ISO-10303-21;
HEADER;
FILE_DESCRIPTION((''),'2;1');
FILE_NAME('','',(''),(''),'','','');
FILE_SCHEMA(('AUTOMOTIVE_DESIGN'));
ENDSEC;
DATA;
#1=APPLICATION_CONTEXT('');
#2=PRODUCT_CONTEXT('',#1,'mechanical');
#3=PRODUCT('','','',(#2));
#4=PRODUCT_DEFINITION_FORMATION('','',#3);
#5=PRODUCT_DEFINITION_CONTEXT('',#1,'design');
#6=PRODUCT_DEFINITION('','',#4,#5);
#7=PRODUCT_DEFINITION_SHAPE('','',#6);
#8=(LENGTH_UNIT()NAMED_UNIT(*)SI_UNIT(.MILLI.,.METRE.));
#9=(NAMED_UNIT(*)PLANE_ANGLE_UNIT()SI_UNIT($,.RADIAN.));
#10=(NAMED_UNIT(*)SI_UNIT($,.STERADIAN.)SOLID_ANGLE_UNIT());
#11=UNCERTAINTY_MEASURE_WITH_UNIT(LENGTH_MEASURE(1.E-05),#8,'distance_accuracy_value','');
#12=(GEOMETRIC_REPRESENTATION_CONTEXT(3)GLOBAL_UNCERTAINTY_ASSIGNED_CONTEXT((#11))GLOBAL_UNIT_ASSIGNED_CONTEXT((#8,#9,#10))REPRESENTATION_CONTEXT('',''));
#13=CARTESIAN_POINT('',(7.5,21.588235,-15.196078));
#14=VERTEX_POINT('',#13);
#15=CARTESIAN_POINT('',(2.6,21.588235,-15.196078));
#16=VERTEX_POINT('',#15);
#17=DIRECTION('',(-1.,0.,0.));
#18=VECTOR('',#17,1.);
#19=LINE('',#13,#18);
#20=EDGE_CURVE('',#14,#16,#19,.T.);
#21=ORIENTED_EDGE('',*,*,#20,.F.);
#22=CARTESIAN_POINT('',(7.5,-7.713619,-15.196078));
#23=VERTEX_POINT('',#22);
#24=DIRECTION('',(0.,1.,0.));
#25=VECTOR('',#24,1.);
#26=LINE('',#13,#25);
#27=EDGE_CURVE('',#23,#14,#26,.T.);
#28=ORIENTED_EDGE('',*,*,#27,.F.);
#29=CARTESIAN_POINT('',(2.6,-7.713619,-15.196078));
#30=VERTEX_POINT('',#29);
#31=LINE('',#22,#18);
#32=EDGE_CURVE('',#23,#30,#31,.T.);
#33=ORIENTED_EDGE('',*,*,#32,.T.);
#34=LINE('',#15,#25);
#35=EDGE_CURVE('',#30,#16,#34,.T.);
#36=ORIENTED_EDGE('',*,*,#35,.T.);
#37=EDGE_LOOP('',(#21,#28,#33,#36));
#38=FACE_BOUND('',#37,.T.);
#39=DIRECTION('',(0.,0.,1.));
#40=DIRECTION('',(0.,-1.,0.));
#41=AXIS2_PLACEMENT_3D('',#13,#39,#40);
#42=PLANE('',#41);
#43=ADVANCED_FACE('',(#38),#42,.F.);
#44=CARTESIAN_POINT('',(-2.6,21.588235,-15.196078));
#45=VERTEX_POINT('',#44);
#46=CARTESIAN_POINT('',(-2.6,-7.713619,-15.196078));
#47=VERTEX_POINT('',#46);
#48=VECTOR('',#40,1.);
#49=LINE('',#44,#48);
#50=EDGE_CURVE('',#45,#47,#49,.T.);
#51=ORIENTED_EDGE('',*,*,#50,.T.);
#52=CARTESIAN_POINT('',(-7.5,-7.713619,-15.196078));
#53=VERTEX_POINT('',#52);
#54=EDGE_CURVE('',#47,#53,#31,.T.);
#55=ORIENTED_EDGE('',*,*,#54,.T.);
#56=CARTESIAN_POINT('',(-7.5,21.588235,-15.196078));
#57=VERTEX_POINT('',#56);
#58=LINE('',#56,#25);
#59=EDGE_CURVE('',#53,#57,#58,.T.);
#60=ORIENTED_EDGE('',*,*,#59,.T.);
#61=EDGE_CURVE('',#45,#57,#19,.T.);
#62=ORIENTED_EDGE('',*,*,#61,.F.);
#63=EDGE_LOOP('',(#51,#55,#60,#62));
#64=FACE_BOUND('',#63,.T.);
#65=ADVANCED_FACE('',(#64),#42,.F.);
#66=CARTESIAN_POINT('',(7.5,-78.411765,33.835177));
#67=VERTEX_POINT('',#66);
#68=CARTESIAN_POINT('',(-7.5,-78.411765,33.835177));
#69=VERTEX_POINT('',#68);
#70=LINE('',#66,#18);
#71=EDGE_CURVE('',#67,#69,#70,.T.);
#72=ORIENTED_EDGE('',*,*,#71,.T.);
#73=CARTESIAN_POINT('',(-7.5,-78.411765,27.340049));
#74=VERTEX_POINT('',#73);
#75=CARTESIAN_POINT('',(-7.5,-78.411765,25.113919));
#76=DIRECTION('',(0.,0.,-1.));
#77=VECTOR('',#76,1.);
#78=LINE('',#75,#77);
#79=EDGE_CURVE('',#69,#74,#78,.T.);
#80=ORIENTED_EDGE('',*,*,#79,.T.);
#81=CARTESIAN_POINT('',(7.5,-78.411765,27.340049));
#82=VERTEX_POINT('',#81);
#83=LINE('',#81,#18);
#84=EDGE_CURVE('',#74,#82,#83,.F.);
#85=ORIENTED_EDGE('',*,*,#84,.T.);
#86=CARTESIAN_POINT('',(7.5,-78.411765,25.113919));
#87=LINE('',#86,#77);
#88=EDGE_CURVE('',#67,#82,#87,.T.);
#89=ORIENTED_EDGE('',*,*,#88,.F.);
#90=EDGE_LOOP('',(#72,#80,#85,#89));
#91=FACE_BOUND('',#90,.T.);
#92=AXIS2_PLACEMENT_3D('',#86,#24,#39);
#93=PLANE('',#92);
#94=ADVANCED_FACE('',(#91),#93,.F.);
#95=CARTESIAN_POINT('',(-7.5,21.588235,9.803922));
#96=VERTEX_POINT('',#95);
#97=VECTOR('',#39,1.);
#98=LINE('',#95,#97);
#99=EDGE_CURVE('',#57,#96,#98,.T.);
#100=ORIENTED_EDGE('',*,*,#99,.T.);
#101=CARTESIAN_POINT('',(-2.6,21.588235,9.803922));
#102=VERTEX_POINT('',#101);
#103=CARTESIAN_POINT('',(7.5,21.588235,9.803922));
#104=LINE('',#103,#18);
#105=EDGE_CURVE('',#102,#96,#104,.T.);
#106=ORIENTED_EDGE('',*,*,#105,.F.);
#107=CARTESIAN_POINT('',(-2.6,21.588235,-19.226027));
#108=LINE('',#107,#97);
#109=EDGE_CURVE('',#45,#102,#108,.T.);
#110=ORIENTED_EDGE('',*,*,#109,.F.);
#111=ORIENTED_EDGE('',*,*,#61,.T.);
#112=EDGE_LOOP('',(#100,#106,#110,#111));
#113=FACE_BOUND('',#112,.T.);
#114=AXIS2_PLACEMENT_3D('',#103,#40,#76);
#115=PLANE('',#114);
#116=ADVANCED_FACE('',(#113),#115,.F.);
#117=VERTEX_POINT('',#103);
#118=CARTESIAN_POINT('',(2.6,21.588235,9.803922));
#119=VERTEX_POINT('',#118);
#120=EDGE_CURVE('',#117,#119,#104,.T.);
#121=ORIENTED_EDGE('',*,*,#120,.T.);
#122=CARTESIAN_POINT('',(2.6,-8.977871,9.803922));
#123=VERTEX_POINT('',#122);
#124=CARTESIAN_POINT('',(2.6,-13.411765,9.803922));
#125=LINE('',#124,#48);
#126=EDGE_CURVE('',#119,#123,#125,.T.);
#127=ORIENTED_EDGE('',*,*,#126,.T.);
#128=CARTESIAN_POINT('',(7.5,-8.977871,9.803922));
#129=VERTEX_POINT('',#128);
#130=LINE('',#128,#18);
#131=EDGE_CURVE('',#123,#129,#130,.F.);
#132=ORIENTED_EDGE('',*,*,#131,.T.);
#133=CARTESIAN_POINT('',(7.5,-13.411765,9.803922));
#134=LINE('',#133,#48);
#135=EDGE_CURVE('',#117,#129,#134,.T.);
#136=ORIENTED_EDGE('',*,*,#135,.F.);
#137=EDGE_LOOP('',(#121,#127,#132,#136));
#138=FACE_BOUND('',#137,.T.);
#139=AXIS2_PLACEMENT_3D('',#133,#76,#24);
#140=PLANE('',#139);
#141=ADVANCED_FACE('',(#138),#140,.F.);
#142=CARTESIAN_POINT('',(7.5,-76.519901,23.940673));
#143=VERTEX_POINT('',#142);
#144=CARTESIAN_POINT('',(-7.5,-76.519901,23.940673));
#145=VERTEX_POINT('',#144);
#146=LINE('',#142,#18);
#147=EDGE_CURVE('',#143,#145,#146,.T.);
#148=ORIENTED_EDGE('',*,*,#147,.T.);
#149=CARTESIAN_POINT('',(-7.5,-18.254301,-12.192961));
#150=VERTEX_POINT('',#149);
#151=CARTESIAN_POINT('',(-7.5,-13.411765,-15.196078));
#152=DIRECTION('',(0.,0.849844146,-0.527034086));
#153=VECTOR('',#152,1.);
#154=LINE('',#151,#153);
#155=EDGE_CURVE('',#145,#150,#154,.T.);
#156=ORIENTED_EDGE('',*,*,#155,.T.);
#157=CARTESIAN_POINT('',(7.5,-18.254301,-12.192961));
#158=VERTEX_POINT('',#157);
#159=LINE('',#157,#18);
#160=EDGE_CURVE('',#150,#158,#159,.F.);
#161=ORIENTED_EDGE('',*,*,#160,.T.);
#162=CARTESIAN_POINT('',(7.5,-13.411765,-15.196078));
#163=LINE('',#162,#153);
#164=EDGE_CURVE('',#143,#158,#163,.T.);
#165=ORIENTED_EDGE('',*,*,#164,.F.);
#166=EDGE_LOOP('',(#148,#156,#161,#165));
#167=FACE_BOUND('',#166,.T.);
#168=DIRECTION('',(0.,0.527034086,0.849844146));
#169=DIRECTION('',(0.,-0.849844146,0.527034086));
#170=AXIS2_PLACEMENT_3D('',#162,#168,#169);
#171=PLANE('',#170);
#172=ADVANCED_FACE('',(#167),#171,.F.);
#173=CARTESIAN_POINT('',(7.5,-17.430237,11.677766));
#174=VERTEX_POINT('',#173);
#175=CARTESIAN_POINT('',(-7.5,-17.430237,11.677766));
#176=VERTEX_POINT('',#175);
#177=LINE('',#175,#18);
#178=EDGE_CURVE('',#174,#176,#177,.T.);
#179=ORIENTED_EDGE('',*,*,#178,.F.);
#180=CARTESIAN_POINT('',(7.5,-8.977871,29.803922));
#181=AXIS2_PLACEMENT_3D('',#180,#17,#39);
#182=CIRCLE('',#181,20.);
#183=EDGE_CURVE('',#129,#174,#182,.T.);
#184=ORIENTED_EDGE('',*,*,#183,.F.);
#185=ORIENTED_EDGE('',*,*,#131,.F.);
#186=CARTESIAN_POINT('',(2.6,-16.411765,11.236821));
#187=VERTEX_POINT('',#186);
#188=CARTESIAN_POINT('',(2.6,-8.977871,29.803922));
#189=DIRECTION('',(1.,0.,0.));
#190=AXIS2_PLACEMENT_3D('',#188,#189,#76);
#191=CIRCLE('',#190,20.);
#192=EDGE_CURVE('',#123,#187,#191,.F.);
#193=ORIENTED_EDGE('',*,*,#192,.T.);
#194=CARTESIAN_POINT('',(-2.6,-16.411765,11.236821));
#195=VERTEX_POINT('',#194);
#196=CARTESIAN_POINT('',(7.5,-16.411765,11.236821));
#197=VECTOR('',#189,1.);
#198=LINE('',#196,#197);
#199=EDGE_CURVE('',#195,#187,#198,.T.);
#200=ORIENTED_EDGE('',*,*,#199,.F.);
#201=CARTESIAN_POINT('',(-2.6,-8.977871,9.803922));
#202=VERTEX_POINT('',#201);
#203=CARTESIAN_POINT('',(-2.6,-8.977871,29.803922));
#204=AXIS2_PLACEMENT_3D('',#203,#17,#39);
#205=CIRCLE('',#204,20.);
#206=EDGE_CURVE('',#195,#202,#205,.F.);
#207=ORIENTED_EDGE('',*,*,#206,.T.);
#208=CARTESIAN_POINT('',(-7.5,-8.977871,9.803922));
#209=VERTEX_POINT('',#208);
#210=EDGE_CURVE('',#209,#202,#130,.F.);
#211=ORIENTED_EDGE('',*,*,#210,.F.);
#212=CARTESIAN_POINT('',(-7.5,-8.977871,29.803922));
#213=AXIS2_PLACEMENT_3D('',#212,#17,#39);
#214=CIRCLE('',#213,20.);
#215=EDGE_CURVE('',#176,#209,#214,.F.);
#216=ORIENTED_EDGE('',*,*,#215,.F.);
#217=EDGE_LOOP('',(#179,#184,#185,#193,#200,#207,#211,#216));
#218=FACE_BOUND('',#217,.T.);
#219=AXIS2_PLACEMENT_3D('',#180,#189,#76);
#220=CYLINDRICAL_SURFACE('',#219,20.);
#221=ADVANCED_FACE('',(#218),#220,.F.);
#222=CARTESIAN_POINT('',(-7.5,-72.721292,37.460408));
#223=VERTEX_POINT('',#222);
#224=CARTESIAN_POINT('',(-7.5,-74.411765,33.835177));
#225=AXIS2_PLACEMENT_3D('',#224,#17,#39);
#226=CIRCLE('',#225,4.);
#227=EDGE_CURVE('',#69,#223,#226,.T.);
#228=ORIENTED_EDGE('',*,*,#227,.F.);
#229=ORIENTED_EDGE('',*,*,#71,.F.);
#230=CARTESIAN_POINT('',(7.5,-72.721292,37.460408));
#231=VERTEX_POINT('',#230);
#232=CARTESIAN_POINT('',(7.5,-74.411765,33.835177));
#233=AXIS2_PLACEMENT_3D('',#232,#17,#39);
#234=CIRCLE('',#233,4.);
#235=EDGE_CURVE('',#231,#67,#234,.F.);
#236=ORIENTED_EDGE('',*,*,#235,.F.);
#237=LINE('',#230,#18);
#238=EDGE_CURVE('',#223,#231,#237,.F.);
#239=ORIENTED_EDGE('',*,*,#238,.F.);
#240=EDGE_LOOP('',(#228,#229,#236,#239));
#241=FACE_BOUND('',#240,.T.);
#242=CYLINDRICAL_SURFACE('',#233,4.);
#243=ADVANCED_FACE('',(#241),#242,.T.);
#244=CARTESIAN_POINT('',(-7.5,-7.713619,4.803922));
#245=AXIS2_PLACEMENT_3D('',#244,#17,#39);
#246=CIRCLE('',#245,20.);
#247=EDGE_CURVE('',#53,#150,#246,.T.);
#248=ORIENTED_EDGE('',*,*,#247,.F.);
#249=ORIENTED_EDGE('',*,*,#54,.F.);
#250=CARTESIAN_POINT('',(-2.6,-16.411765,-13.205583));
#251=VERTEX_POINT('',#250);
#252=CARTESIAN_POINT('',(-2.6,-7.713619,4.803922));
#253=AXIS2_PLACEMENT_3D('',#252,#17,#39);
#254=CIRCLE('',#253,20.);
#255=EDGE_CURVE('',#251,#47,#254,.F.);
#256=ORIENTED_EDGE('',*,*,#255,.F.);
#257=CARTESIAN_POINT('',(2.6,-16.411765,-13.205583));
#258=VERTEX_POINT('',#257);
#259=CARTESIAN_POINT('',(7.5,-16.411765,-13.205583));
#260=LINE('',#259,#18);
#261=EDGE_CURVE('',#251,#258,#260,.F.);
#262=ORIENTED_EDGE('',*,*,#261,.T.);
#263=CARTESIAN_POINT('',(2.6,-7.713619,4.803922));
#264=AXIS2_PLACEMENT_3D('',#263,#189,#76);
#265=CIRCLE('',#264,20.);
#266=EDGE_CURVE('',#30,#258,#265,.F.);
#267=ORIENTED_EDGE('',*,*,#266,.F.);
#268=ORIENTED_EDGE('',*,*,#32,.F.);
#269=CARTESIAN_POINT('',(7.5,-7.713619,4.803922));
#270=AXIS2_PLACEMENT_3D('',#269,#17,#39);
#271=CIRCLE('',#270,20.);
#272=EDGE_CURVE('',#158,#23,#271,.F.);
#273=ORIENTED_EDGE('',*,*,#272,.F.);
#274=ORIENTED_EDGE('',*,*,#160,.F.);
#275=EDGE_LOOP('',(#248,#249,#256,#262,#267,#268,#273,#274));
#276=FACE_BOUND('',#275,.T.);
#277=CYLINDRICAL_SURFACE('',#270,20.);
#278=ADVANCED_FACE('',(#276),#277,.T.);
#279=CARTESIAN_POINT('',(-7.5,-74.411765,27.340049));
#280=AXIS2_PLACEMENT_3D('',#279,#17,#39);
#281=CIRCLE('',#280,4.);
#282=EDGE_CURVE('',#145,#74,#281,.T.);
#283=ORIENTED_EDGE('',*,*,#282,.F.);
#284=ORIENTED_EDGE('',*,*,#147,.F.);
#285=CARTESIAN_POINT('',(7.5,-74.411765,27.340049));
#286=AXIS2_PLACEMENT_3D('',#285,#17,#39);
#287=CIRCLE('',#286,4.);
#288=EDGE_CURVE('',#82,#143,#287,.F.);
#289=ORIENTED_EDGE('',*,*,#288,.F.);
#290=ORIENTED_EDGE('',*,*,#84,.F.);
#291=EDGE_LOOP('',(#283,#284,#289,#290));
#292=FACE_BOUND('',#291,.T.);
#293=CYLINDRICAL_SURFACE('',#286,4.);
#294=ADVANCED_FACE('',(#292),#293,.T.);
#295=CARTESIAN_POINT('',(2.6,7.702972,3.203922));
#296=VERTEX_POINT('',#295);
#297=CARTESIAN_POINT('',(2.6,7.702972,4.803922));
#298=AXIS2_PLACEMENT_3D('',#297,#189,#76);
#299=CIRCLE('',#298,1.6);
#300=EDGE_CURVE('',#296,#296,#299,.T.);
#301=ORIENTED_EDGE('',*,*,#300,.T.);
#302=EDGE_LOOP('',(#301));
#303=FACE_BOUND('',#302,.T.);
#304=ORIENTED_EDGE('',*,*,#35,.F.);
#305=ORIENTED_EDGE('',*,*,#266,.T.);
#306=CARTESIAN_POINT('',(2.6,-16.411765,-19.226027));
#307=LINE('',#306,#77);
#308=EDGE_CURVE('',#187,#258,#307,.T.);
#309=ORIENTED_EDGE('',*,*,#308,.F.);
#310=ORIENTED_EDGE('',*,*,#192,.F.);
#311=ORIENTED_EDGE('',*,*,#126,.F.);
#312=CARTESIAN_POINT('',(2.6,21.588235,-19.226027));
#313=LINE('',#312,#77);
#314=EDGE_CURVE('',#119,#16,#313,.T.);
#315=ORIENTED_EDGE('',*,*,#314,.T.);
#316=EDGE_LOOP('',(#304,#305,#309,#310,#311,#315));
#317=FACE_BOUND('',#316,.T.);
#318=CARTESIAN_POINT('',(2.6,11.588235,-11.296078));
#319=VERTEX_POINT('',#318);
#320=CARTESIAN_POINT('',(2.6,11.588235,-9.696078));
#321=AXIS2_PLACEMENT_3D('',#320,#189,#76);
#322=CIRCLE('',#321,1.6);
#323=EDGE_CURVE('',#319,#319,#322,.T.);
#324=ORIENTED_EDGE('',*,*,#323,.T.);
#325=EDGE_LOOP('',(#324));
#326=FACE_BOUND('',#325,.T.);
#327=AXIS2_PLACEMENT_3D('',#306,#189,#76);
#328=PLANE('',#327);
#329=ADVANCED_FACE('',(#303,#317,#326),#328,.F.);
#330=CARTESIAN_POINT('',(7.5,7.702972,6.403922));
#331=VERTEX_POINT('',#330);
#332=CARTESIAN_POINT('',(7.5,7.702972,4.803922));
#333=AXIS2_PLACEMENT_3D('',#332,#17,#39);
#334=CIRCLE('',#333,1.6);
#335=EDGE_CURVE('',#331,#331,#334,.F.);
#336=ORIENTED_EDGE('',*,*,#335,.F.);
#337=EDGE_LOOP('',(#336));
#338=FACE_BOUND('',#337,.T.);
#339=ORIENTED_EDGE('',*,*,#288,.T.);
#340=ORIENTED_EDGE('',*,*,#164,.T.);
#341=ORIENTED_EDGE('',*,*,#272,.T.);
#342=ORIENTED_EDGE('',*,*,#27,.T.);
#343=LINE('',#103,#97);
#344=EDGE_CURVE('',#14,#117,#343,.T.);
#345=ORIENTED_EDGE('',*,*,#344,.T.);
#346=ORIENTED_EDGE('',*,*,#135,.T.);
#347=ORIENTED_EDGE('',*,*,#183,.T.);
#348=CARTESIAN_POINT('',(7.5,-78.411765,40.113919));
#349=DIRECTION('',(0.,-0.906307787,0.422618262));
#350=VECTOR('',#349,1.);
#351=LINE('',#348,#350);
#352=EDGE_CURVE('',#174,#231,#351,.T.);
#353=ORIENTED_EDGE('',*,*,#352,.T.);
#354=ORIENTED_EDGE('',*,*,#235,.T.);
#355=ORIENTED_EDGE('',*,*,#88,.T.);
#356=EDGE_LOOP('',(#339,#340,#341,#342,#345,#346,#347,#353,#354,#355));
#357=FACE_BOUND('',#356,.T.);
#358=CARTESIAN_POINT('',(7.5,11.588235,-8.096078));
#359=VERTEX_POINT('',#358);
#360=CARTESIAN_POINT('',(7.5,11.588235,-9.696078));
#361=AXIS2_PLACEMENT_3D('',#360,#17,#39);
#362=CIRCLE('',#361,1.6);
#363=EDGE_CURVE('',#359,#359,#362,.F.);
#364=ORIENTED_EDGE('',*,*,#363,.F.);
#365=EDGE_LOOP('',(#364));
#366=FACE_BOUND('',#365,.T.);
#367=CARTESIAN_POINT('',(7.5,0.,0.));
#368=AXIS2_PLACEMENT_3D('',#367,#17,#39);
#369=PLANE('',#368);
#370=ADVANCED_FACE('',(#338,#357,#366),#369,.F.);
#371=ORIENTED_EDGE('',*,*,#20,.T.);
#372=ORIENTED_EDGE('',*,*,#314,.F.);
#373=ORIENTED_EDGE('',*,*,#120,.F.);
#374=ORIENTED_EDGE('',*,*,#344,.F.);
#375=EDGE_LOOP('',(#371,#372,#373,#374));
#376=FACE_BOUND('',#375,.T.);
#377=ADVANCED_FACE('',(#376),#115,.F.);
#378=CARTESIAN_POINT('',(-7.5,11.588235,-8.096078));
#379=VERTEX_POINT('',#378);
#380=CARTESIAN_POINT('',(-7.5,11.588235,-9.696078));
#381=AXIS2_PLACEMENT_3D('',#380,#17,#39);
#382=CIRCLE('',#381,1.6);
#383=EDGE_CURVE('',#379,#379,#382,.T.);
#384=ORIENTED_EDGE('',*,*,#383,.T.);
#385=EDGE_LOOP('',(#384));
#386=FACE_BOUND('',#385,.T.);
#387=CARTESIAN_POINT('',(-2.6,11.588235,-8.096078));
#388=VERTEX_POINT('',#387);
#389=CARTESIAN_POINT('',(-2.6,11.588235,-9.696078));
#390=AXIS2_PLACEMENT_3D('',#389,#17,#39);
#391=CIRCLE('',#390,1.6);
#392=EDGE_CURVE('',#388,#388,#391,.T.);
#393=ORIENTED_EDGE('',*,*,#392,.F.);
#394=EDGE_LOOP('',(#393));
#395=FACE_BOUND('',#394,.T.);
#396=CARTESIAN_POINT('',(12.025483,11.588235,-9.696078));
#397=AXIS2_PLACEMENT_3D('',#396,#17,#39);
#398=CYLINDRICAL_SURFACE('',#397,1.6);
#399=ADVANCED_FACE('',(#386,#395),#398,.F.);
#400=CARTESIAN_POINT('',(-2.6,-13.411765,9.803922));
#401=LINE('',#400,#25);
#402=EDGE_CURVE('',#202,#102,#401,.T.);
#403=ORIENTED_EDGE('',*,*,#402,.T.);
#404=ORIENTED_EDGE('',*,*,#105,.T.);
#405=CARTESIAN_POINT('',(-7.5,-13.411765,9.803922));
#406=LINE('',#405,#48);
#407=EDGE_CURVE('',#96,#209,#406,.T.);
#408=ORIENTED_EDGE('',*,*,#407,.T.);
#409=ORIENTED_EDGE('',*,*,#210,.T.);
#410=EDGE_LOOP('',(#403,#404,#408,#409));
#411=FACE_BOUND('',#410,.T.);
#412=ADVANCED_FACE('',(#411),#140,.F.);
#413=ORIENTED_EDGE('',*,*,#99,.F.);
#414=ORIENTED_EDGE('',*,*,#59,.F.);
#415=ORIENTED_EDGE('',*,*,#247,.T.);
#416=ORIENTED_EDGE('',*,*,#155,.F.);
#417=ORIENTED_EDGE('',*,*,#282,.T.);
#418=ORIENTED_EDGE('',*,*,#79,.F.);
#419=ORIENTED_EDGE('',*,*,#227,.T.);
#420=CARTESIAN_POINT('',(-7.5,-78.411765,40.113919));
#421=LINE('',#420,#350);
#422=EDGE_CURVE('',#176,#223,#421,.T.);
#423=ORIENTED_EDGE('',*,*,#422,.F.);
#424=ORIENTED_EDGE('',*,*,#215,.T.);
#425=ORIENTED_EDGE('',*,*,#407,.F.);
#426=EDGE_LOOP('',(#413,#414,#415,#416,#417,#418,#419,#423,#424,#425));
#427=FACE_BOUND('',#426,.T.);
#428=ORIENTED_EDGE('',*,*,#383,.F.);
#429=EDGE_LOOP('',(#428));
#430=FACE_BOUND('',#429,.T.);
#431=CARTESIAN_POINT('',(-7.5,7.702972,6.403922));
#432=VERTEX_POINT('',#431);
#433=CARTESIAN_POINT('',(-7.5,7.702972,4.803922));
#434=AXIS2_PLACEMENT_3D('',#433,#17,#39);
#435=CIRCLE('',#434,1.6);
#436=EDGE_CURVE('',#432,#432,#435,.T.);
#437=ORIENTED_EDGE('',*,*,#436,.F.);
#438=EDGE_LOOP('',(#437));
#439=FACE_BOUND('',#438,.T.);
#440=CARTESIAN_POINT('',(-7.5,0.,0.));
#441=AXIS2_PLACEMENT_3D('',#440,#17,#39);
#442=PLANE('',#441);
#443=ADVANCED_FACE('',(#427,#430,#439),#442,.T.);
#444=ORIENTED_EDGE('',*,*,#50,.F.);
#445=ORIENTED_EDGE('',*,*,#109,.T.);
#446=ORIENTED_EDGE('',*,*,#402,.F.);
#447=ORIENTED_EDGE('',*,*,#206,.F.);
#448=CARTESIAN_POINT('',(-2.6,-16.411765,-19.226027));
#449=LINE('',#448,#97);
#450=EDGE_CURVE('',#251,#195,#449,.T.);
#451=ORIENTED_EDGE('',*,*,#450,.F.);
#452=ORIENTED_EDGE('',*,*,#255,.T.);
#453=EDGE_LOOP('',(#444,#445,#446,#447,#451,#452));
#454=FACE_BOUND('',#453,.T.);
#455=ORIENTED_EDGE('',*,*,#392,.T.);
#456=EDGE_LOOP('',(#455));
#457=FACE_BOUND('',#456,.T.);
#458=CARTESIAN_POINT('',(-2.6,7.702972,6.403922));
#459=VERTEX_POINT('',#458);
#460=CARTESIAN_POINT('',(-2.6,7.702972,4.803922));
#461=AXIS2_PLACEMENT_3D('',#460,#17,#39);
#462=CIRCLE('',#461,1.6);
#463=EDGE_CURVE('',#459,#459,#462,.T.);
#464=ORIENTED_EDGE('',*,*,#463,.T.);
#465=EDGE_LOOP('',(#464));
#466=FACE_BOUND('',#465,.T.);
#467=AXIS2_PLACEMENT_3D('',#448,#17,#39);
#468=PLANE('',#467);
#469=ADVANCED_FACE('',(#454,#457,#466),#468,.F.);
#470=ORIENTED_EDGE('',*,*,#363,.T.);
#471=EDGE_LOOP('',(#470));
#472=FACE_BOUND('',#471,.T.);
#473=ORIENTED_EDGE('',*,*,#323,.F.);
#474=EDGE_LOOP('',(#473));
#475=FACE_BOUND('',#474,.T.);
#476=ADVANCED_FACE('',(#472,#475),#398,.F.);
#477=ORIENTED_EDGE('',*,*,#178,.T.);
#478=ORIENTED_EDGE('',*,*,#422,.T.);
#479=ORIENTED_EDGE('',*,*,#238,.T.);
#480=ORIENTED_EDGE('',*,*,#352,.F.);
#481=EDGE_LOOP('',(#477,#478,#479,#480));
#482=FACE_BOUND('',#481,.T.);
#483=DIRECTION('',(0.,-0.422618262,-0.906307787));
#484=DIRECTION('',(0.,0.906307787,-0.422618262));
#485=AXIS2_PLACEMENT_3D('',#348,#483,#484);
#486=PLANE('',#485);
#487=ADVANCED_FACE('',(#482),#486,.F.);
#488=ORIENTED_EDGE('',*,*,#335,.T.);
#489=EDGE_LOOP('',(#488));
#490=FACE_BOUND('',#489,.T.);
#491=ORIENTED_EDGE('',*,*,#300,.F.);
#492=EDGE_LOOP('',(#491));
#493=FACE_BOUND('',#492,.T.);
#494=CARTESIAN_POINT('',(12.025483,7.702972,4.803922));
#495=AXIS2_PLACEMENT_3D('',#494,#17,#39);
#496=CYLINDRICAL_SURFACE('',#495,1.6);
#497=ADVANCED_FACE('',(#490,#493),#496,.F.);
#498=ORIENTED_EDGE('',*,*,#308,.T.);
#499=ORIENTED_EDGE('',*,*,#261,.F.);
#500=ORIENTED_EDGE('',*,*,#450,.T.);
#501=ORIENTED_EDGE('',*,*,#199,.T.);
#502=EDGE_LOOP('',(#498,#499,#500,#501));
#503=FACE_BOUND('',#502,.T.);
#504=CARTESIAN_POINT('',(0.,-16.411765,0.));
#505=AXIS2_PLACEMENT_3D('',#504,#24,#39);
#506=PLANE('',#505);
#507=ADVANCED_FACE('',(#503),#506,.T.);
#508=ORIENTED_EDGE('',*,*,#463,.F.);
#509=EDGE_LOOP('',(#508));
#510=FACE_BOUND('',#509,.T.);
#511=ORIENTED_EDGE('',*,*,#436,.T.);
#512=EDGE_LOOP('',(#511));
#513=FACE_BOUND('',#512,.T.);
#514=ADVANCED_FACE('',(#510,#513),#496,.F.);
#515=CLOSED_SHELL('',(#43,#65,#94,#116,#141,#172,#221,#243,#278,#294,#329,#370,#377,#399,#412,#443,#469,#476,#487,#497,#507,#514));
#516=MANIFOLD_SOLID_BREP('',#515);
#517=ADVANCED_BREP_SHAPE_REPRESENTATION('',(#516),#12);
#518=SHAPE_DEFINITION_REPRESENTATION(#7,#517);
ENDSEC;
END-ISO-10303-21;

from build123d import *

# Parameters (mm, degrees)
BOSS_EXTRUDE1_DEPTH = 7.5
FILLET1_R           = 20
FILLET2_R           = 4
SKETCH2_W           = 5.2
SKETCH2_H           = 36.194595773
CUT_EXTRUDE1_DEPTH  = 38
CUT_EXTRUDE2_REACH  = 90.345
SKETCH3_R           = 1.6


with BuildPart() as part:
    # Sketch1 → Boss-Extrude1 (new, symmetric)
    with BuildSketch(Plane(origin=(0, 0, 0), x_dir=(0, 0, -1), z_dir=(1, 0, 0))):
        Polygon((-9.803921569, 21.588235294), (15.196078431, 21.588235294), (15.196078431, -13.411764706), (-25.113919349, -78.411764706), (-40.113919349, -78.411764706), (-9.803921569, -13.411764706), align=None)
    extrude(amount=BOSS_EXTRUDE1_DEPTH, both=True)

    # Fillet1
    fillet1_edges = [part.edges().sort_by_distance(p)[0] for p in [
        (0, -13.411764706, -15.196078431),
        (0, -13.411764706, 9.803921569),
    ]]
    fillet(fillet1_edges, radius=FILLET1_R)

    # Fillet2
    fillet2_edges = [part.edges().sort_by_distance(p)[0] for p in [
        (0, -78.411764706, 25.113919349),
        (0, -78.411764706, 40.113919349),
    ]]
    fillet(fillet2_edges, radius=FILLET2_R)

    # Sketch2 → Cut-Extrude1 (cut)
    with BuildSketch(Plane(origin=(0, 21.588235294, 0), x_dir=(1, 0, 0), z_dir=(0, 1, 0))):
        with Locations((0, 1.128729594)):
            Rectangle(SKETCH2_W, SKETCH2_H)
    extrude(amount=-CUT_EXTRUDE1_DEPTH, mode=Mode.SUBTRACT)

    # Cut-Extrude2: up to this face of the body (flat: up to its plane)
    cut_extrude2_end = Plane(part.part.faces().sort_by_distance((7.5, -23.945149467, 6.872044684))[0])
    # Sketch3 → Cut-Extrude2 (cut, up to the picked face)
    with BuildSketch(Plane.ZY.offset(7.5), mode=Mode.PRIVATE) as cut_extrude2_sk1:
        with Locations((-9.696078431, 11.588235294)):
            Circle(SKETCH3_R)
    cut_extrude2_tool1 = split(extrude(cut_extrude2_sk1.sketch, amount=-CUT_EXTRUDE2_REACH, mode=Mode.PRIVATE), bisect_by=cut_extrude2_end, keep=Keep.BOTH, mode=Mode.PRIVATE)
    # Sketch3 → Cut-Extrude2 (cut, up to the picked face)
    with BuildSketch(Plane.ZY.offset(7.5), mode=Mode.PRIVATE) as cut_extrude2_sk2:
        with Locations((4.803921569, 7.702972004)):
            Circle(SKETCH3_R)
    cut_extrude2_tool2 = split(extrude(cut_extrude2_sk2.sketch, amount=-CUT_EXTRUDE2_REACH, mode=Mode.PRIVATE), bisect_by=cut_extrude2_end, keep=Keep.BOTH, mode=Mode.PRIVATE)
    add(cut_extrude2_tool1.solids().sort_by(Axis((-7.5, 11.588235, -9.696078), (1, 0, 0)))[0], mode=Mode.SUBTRACT)
    add(cut_extrude2_tool2.solids().sort_by(Axis((-7.5, 7.702972, 4.803922), (1, 0, 0)))[0], mode=Mode.SUBTRACT)


solid = part.part
